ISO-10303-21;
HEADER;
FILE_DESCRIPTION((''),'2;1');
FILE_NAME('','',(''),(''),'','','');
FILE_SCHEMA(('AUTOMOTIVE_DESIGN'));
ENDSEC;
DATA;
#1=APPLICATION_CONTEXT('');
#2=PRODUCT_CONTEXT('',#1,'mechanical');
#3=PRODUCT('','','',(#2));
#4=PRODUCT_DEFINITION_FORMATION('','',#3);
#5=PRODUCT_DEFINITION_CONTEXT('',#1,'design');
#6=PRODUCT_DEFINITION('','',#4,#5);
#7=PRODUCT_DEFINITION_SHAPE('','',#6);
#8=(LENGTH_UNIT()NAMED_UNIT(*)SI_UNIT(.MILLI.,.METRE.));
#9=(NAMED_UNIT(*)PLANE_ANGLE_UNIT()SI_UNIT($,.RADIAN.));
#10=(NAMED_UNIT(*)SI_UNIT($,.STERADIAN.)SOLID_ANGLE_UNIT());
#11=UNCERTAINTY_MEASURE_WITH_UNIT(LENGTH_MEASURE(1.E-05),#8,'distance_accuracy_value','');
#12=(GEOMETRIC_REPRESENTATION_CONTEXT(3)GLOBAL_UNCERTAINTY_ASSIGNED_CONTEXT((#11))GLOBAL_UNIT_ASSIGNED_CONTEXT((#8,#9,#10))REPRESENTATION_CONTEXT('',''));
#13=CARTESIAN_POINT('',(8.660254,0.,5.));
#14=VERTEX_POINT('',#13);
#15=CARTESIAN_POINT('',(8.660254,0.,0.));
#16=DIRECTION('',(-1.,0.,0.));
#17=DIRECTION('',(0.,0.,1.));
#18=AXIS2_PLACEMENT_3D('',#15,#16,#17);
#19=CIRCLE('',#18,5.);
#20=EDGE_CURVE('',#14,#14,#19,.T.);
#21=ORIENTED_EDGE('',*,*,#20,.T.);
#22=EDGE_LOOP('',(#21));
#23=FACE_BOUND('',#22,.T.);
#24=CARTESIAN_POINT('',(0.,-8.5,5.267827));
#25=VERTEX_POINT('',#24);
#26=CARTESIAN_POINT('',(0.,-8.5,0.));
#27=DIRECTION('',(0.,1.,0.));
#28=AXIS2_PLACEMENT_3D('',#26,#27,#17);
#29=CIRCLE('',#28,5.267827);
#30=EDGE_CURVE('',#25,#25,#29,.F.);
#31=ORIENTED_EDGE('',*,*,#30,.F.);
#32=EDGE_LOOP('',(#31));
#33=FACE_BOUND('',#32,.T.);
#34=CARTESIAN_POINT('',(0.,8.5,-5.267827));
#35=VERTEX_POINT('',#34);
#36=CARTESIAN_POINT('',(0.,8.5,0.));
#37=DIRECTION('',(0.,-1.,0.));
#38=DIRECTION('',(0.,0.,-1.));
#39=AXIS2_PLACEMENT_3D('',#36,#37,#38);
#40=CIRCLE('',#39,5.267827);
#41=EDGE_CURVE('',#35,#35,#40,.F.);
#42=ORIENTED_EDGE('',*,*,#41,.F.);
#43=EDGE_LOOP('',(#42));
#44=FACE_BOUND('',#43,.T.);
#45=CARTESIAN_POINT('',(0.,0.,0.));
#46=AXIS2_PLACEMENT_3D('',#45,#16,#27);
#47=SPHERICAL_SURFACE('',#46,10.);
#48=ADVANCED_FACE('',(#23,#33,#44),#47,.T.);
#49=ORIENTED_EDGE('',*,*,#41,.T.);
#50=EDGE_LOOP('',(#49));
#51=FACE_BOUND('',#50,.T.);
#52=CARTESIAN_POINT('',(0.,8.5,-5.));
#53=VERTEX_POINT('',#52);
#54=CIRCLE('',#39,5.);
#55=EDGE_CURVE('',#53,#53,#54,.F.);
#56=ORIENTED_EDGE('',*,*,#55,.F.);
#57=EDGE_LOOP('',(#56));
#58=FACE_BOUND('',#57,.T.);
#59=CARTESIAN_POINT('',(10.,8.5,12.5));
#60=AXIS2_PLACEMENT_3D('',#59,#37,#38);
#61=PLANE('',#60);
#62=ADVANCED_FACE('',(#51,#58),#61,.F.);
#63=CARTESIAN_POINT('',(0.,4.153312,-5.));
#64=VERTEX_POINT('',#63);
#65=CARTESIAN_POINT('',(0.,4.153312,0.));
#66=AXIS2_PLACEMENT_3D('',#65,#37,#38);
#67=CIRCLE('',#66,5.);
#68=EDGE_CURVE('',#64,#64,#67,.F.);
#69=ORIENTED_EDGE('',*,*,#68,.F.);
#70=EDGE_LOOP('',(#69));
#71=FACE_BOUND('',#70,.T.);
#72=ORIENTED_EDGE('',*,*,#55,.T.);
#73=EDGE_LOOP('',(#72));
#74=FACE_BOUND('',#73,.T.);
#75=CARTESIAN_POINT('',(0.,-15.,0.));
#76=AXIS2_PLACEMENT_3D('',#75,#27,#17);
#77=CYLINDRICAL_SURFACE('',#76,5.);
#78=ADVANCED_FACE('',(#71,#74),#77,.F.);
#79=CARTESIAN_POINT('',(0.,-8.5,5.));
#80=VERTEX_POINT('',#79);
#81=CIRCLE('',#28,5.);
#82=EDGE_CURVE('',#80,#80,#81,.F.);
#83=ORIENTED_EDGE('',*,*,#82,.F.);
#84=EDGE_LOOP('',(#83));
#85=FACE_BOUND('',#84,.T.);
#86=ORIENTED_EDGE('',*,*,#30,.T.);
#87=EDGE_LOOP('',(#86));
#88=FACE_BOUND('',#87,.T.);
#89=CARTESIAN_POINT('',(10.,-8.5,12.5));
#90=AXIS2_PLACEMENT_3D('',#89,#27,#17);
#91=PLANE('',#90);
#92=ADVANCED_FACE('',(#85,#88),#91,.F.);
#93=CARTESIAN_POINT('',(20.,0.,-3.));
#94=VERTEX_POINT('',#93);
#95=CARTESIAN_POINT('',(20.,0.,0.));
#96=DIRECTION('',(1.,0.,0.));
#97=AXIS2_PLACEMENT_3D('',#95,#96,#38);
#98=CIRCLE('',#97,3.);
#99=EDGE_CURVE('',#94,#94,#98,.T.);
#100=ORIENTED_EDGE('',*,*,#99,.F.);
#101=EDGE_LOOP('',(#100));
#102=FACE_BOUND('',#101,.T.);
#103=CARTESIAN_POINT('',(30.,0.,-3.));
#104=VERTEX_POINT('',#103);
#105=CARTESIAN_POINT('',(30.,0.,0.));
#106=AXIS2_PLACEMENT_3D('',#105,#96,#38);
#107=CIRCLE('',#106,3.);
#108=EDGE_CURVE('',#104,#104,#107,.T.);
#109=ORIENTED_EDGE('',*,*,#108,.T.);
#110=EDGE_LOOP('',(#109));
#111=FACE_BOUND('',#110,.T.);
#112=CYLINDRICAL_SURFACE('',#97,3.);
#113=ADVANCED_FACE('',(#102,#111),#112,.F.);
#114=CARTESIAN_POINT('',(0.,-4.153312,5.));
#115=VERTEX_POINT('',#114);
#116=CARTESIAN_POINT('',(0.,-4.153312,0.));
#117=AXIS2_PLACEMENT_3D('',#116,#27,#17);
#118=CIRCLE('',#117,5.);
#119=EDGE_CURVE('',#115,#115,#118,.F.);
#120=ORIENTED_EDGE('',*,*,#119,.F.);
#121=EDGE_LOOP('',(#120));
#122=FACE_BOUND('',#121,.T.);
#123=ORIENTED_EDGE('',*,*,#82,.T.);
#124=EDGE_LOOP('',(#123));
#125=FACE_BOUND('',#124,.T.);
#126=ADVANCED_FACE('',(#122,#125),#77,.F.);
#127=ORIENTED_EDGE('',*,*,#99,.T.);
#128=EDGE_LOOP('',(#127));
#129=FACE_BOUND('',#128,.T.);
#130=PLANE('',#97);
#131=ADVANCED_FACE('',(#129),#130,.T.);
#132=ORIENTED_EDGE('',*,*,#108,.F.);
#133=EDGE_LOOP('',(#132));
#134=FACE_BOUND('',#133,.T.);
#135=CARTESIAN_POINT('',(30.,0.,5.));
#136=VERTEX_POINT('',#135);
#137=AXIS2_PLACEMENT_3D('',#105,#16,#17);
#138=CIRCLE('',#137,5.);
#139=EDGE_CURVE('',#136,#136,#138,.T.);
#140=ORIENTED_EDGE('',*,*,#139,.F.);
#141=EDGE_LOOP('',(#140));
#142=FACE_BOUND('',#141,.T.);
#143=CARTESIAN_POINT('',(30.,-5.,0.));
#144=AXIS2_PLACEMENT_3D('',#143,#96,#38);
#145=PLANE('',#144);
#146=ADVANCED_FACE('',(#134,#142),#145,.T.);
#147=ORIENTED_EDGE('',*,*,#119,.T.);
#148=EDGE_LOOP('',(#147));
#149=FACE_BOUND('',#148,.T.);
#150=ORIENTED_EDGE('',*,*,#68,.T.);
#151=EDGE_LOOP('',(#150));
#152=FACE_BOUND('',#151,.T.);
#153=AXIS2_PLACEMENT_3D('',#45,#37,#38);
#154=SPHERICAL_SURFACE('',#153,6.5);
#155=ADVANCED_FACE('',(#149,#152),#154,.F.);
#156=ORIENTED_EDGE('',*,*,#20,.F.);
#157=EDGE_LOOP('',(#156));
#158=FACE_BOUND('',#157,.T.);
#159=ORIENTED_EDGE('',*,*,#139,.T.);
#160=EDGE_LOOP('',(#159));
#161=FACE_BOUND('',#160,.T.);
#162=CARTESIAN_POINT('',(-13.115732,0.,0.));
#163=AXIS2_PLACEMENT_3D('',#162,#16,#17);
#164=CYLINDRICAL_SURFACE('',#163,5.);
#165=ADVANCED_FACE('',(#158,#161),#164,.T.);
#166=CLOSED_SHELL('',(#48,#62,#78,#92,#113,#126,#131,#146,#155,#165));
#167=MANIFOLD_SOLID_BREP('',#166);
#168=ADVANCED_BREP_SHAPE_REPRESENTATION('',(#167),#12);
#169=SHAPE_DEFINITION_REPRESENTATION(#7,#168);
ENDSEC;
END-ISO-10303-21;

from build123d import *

# Parameters (mm, degrees)
SKETCH3_R                    = 3
CUT_EXTRUDE2_DEPTH           = 10
SKETCH4_R                    = 5
CUT_EXTRUDE3_DEPTH           = 15
CUT_EXTRUDE_THIN2_DEPTH      = 10
CUT_EXTRUDE_THIN2_DEPTH_BACK = 10
SKETCH5_W                    = 45
SKETCH5_H                    = 37
SKETCH5_W_2                  = 25
SKETCH5_H_2                  = 17


with BuildPart() as part:
    # Sketch1 → Revolve3 (revolve)
    with BuildSketch(Plane.XY, mode=Mode.PRIVATE) as revolve3_sk:
        with BuildLine():
            Line((30, -5), (30, 0))
            Line((30, 0), (5, 0))
            ThreePointArc((5, 0), (0, -5), (-5, 0))
            Line((-5, 0), (-10, 0))
            ThreePointArc((-10, 0), (-2.588190451, -9.659258263), (8.660254038, -5))
            Line((8.660254038, -5), (30, -5))
        make_face()
    revolve(revolve3_sk.sketch.rotate(Axis((-13.11573237, 0, 0), (1, 0, 0)), 270), axis=Axis((-13.11573237, 0, 0), (1, 0, 0)))

    # Sketch3 → Cut-Extrude2 (cut)
    with BuildSketch(Plane(origin=(30, 0, 0), x_dir=(0, 0, -1), z_dir=(1, 0, 0))):
        Circle(SKETCH3_R)
    extrude(amount=-CUT_EXTRUDE2_DEPTH, mode=Mode.SUBTRACT)

    # Sketch2 → Cut-Revolve1 (revolve, cut)
    with BuildSketch(Plane.XY):
        with BuildLine():
            Line((-6.5, 0), (6.5, 0))
            ThreePointArc((6.5, 0), (0, -6.5), (-6.5, 0))
        make_face()
    revolve(axis=Axis((-6.5, 0, 0), (1, 0, 0)), mode=Mode.SUBTRACT)

    # Sketch4 → Cut-Extrude3 (cut, symmetric)
    with BuildSketch(Plane(origin=(0, 0, 0), x_dir=(1, 0, 0), z_dir=(0, 1, 0))):
        with Locations(Location((0, 0, 0), (0, 0, 270))):
            Circle(SKETCH4_R)
    extrude(amount=CUT_EXTRUDE3_DEPTH, both=True, mode=Mode.SUBTRACT)

    # Sketch5 → Cut-Extrude-Thin2 (cut, two sides: drawn at the far end of the back side and taken through both)
    with BuildSketch(Plane(origin=(0, 0, 0), x_dir=(0, 0, -1), z_dir=(1, 0, 0)).offset(-CUT_EXTRUDE_THIN2_DEPTH_BACK)):
        Rectangle(SKETCH5_W, SKETCH5_H)
        Rectangle(SKETCH5_W_2, SKETCH5_H_2, mode=Mode.SUBTRACT)
    extrude(amount=CUT_EXTRUDE_THIN2_DEPTH + CUT_EXTRUDE_THIN2_DEPTH_BACK, mode=Mode.SUBTRACT)


solid = part.part
